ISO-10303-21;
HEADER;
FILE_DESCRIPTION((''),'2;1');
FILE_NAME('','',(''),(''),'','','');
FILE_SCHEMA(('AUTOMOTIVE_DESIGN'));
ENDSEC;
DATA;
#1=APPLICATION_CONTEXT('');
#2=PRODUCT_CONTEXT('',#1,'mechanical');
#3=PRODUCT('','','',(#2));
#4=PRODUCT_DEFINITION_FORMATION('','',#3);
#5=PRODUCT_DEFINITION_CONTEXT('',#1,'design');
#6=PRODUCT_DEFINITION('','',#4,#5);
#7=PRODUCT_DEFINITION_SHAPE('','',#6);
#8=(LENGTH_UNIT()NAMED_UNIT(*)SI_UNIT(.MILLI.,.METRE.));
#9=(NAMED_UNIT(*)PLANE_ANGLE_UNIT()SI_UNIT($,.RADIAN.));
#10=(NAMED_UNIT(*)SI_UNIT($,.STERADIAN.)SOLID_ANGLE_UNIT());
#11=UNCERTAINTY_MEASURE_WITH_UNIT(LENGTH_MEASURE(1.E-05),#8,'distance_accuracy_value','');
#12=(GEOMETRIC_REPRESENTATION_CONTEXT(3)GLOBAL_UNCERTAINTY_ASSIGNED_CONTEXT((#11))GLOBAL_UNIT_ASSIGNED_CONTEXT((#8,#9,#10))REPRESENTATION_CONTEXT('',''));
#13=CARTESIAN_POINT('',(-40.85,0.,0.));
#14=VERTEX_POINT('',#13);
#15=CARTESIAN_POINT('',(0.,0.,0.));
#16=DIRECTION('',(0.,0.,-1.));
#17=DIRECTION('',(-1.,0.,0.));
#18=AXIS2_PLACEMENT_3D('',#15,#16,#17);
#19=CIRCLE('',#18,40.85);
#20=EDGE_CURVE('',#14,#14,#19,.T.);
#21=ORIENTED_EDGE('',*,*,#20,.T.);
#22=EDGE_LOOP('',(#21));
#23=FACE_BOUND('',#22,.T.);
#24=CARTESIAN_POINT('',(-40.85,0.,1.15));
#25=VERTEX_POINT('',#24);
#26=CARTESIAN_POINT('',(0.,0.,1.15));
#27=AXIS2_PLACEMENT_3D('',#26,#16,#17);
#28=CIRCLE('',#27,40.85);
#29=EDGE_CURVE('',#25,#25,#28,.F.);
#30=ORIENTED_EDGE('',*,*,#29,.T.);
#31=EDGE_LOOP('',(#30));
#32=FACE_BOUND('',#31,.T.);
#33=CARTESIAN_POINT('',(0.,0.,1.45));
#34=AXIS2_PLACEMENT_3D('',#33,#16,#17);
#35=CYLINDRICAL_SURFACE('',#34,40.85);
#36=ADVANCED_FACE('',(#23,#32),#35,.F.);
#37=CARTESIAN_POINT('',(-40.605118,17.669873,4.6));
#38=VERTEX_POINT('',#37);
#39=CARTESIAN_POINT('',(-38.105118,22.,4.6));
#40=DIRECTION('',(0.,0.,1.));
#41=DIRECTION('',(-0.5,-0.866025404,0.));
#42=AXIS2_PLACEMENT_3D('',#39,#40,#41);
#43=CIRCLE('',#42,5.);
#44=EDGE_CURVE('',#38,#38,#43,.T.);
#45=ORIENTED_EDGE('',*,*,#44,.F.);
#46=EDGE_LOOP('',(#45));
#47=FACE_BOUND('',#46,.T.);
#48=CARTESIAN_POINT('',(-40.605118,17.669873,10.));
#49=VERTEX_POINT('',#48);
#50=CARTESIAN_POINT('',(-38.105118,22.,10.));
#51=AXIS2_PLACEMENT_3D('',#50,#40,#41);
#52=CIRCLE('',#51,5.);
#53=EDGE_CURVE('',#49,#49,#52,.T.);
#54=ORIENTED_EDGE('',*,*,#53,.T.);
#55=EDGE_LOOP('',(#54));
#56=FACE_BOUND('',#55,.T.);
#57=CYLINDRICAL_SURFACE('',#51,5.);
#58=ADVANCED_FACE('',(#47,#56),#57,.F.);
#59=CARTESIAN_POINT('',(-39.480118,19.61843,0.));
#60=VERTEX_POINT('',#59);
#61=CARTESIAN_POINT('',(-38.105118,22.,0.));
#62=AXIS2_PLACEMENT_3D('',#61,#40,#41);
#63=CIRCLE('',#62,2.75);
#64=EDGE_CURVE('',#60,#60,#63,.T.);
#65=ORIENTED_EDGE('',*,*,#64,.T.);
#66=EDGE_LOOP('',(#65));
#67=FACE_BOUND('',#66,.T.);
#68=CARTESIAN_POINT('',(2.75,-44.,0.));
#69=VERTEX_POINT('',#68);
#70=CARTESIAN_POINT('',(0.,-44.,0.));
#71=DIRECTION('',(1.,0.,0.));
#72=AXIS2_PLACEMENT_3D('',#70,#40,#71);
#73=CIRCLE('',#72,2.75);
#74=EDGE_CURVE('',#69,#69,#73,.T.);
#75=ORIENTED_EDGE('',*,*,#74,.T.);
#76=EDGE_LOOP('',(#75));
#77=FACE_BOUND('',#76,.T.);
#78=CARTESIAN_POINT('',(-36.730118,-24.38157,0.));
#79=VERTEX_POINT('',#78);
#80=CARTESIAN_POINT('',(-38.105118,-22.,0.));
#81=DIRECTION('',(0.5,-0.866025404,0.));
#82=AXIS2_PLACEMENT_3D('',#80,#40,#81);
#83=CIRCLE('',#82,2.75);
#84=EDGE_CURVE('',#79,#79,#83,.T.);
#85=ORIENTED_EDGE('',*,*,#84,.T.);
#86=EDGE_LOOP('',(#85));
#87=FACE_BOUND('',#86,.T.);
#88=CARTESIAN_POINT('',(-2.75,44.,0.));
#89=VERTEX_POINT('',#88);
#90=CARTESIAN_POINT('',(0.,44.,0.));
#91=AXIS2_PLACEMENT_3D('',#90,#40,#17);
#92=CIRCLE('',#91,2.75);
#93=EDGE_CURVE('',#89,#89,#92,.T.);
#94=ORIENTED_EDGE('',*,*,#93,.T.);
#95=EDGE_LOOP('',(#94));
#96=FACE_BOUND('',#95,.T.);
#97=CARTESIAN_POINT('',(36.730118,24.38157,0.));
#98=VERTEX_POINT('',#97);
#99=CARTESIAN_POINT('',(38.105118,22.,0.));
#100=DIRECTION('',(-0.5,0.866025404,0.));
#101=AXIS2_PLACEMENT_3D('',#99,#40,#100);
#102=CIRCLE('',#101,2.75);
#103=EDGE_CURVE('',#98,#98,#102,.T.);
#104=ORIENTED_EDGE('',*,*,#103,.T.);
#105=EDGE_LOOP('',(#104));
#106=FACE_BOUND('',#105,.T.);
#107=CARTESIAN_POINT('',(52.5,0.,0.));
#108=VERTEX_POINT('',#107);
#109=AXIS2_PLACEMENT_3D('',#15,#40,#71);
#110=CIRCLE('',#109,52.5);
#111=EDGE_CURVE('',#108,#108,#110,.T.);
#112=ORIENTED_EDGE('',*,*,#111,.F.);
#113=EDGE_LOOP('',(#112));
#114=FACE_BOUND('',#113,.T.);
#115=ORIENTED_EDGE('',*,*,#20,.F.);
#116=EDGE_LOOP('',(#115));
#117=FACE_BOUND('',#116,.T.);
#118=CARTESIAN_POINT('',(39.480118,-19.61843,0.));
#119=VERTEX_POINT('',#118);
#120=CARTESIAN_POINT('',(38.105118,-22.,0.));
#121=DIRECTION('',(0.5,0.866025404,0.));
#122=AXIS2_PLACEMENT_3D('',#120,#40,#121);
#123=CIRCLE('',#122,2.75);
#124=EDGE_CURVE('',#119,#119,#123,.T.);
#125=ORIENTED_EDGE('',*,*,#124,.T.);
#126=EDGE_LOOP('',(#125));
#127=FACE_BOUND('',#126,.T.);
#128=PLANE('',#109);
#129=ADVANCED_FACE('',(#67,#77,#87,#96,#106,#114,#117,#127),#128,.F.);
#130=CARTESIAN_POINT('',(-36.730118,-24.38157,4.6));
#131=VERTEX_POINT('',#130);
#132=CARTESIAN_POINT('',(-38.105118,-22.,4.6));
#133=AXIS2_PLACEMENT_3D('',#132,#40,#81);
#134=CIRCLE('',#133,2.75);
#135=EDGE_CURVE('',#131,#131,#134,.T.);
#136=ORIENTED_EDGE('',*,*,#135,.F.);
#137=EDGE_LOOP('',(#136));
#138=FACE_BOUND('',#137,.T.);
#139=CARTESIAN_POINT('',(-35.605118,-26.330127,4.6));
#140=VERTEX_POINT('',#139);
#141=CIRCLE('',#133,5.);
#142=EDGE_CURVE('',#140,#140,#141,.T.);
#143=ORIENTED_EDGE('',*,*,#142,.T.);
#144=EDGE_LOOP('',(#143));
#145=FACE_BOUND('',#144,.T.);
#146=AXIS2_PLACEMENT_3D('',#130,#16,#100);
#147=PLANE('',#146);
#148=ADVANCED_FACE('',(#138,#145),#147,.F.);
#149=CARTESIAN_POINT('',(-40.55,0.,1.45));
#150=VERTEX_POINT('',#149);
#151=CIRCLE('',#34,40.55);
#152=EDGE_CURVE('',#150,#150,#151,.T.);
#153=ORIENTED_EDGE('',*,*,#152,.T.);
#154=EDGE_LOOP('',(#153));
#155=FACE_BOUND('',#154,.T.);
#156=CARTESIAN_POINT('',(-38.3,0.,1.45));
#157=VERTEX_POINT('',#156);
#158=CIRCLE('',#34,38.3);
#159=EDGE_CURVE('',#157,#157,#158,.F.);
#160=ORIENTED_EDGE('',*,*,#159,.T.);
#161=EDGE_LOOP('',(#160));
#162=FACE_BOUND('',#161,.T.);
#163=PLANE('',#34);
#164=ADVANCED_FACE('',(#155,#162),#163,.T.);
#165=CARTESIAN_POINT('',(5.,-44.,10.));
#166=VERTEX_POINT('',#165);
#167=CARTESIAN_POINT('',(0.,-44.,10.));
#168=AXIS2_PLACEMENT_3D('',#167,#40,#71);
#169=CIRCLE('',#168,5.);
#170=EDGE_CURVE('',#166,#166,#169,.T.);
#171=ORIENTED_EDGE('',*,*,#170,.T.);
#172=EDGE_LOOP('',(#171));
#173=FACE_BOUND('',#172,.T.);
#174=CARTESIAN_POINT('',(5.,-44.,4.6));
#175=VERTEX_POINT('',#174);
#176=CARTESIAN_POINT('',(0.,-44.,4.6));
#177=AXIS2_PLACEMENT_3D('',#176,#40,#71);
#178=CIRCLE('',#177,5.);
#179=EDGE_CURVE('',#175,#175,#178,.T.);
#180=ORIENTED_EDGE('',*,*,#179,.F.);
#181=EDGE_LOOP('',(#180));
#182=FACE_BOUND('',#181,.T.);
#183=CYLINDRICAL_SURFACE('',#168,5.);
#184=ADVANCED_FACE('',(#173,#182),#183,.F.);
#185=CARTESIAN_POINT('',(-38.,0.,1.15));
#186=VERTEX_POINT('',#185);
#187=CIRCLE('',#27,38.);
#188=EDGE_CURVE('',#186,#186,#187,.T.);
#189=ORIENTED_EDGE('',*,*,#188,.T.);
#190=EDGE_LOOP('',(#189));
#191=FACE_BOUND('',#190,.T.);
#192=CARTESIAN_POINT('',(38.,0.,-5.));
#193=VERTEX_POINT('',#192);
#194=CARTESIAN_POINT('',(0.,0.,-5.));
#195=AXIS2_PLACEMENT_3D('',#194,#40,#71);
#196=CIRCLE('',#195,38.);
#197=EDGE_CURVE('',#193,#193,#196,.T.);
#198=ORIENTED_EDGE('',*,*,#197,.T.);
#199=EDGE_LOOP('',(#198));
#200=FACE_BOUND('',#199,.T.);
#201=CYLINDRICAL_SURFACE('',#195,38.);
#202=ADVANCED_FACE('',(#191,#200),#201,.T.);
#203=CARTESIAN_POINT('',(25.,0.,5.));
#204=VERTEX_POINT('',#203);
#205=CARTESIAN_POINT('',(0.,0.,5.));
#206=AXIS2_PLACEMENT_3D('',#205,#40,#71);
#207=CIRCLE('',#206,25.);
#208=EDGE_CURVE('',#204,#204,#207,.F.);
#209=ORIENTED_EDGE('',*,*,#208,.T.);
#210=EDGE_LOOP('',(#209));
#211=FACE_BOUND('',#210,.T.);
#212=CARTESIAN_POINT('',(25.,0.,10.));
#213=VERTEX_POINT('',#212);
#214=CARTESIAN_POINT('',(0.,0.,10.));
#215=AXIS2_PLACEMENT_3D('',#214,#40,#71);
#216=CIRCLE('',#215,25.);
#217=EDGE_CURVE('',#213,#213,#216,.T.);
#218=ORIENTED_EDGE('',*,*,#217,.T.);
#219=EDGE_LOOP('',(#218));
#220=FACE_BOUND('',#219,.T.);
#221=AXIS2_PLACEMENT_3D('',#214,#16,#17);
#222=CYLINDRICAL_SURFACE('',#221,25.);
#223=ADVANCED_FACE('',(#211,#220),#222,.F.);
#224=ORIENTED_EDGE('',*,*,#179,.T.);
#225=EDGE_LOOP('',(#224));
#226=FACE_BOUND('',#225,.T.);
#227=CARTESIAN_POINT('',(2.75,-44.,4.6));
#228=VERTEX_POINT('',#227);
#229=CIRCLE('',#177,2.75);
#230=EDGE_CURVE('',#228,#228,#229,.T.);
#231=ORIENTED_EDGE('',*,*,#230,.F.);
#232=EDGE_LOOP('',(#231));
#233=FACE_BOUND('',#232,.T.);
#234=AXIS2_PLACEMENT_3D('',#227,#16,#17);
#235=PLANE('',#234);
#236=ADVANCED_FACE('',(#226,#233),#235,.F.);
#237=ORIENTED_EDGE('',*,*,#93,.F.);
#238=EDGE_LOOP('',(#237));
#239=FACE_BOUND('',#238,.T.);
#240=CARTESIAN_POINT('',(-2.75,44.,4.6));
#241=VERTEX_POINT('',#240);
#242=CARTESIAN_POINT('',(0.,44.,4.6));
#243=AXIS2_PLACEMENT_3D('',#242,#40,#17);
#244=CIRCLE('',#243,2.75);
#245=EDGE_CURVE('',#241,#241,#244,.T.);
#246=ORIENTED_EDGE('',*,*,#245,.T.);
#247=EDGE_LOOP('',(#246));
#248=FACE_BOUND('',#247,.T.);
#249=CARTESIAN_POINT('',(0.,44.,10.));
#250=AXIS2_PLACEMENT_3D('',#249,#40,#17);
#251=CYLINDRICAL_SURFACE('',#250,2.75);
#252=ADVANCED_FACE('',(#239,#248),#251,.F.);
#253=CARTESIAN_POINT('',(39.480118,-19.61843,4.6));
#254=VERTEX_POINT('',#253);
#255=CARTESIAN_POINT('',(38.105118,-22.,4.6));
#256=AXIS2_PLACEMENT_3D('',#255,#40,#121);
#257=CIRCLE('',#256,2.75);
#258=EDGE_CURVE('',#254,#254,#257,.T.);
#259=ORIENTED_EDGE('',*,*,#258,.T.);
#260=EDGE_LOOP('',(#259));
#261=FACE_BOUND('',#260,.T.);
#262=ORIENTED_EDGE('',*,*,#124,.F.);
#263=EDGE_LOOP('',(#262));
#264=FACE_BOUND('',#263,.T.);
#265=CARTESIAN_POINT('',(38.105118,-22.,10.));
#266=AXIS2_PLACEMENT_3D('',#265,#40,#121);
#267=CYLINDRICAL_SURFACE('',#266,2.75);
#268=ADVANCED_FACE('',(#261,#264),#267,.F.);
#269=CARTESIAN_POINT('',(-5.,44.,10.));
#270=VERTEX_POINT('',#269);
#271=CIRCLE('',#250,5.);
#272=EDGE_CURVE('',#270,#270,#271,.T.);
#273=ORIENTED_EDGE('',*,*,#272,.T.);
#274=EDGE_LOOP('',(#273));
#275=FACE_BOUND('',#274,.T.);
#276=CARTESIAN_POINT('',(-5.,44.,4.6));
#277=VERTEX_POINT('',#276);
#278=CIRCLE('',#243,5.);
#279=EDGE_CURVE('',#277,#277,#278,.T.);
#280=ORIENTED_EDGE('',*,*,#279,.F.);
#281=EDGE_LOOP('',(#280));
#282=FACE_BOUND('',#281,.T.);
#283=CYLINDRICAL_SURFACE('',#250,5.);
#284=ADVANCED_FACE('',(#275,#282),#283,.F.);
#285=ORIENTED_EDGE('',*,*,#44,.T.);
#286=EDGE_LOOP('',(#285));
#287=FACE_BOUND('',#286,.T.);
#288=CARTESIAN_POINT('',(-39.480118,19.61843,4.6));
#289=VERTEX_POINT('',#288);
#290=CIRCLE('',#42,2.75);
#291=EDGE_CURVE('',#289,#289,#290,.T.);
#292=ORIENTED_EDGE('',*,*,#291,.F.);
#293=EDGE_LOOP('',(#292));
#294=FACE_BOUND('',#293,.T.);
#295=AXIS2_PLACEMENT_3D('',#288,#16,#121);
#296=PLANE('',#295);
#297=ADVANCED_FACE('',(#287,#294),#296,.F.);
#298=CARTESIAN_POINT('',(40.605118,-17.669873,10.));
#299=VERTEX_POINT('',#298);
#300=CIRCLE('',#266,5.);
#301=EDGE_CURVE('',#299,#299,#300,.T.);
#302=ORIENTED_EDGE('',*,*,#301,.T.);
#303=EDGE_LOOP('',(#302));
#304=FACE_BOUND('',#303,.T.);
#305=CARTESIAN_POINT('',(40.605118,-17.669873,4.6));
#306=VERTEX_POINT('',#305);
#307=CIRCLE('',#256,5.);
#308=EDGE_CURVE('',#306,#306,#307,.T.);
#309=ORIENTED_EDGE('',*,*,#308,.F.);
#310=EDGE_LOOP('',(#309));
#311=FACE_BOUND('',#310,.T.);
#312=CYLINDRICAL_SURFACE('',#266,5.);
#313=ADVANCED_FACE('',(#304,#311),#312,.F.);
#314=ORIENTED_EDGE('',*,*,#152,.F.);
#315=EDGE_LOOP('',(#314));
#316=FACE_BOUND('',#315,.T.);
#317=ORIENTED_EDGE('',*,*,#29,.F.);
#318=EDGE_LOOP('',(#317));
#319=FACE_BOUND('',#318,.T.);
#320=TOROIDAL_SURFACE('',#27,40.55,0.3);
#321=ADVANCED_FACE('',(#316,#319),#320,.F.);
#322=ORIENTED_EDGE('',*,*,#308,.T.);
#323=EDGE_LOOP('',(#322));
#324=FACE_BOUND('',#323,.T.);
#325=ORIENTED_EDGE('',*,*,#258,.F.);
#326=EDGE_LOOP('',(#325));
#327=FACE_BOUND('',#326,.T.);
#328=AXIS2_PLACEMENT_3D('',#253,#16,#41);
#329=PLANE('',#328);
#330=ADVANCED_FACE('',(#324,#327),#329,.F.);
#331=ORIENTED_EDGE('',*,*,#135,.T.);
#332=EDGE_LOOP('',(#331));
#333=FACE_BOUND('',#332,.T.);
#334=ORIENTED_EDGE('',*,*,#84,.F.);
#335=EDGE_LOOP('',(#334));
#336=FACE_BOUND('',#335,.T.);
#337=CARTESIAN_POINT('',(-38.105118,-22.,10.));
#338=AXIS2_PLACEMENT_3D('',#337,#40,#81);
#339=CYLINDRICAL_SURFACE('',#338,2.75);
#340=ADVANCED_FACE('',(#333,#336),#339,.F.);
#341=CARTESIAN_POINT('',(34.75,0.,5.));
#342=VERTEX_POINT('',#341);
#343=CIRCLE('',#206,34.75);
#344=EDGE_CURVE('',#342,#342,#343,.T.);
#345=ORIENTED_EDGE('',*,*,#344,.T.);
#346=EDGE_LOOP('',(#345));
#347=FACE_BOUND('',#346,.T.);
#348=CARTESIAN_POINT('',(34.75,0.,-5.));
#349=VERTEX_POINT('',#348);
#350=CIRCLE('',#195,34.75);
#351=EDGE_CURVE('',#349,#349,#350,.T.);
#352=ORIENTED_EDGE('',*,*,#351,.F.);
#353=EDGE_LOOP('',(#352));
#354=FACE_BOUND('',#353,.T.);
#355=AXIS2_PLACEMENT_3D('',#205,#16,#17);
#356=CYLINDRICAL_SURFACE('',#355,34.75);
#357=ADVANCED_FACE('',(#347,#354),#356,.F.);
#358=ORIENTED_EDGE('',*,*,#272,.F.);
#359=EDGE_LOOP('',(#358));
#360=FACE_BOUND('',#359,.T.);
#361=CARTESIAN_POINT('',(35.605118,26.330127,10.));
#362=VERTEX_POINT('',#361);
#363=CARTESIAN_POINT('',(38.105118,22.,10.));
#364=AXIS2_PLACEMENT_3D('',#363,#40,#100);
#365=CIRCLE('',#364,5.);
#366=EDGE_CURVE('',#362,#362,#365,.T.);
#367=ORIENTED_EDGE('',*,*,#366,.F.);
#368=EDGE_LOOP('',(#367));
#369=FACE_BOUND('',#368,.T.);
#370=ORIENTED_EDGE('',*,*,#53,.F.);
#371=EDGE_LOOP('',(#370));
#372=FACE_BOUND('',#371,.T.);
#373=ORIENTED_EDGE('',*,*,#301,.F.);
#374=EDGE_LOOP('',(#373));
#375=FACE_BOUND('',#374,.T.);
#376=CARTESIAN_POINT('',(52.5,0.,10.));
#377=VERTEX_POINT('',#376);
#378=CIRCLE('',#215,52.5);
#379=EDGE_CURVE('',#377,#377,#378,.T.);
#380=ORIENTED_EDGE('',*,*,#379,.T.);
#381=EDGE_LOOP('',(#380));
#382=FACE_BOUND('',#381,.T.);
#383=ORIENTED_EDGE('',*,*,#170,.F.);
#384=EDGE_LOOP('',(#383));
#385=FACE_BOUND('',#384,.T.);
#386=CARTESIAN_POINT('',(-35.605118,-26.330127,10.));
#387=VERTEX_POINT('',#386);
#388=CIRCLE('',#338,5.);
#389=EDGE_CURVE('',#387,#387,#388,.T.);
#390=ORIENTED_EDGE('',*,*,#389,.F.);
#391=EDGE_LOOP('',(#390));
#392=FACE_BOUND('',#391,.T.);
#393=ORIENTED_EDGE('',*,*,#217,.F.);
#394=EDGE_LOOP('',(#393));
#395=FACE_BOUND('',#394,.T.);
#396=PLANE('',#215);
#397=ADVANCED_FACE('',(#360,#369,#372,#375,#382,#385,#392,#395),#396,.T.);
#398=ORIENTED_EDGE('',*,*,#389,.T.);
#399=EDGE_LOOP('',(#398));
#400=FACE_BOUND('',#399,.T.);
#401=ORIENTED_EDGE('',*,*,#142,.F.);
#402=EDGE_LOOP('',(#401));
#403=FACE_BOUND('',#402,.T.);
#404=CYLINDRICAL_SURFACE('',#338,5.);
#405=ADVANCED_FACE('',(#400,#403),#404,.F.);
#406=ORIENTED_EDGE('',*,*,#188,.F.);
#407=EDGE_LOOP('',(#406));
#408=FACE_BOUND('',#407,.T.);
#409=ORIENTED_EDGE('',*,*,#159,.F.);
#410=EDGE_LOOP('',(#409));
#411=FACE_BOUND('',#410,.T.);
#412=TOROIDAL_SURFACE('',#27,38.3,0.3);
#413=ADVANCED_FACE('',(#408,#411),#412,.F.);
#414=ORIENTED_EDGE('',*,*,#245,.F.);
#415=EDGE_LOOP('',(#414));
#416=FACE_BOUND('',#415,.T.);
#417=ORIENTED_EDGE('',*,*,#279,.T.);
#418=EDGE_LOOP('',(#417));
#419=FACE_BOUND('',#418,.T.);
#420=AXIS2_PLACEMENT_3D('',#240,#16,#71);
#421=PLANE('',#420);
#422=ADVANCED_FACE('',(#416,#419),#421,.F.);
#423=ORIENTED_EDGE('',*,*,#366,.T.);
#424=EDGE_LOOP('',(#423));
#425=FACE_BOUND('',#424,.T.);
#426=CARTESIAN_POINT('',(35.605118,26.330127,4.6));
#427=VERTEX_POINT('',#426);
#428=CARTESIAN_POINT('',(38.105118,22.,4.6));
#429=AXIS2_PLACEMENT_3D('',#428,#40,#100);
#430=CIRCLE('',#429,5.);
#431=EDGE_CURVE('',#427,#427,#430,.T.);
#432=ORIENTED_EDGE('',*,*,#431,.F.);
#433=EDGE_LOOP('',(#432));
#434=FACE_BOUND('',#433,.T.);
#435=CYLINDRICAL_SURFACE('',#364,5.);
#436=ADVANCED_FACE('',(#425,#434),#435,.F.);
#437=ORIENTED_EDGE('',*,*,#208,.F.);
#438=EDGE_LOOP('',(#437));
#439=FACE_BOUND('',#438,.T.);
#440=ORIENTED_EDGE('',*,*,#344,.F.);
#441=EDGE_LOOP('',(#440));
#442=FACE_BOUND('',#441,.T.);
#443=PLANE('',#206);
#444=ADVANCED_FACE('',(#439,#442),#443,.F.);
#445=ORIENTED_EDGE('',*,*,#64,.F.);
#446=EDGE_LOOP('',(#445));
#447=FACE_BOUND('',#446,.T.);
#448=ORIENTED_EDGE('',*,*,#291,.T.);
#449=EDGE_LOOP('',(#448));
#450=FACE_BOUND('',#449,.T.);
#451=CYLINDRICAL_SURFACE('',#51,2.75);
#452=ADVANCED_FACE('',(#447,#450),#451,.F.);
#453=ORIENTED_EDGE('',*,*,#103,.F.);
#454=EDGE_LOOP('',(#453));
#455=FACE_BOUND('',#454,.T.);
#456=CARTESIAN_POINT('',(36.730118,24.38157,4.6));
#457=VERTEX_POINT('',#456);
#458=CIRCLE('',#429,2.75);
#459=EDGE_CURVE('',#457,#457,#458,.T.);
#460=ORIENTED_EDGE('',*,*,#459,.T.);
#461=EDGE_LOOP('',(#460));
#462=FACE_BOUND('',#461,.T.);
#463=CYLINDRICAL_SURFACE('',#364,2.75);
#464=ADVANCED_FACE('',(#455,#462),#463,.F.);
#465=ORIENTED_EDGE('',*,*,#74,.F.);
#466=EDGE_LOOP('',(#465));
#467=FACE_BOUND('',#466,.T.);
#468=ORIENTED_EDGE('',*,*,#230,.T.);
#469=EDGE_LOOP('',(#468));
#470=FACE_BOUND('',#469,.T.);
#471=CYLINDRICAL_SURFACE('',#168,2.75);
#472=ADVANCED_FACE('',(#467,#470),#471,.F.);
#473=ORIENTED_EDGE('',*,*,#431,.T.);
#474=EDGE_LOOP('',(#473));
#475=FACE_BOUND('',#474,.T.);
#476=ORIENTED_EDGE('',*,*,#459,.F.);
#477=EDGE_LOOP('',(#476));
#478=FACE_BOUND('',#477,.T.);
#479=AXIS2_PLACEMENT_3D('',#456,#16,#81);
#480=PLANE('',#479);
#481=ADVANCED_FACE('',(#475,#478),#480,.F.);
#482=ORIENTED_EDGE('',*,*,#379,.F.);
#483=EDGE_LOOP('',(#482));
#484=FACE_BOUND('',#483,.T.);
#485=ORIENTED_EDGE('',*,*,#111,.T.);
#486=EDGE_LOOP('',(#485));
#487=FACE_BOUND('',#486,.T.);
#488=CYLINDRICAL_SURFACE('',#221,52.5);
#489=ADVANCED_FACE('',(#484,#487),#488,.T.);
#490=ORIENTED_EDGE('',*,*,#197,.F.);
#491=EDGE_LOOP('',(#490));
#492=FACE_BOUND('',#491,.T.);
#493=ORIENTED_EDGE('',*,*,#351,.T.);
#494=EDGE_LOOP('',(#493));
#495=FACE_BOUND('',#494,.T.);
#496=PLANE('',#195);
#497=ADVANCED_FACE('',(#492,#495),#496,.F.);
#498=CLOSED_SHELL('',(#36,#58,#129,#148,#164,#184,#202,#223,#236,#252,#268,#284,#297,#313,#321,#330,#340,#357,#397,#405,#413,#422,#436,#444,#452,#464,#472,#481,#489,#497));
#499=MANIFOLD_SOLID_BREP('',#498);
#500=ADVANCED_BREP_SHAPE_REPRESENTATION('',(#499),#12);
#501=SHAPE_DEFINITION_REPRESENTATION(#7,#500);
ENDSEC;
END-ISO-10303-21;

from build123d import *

# Parameters (mm, degrees)
SKIZZE1_R                                            = 52.5
AUFSATZ_LINEAR_AUSTRAGEN1_DEPTH                      = 10
SKIZZE2_R                                            = 40
AUFSATZ_LINEAR_AUSTRAGEN3_DEPTH                      = 5
SKIZZE5_OUTSIDE_W                                    = 136.85
SKIZZE5_OUTSIDE_H                                    = 136.85
SKIZZE5_OUTSIDE_R                                    = 35
SCHNITT_LINEAR_AUSTRAGEN1_DEPTH                      = 5
SKIZZE6_R                                            = 38
AUFSATZ_LINEAR_AUSTRAGEN4_DEPTH                      = 5
SCHNITT_LINEAR_START                                 = -5
SKIZZE7_R                                            = 34.75
SCHNITT_LINEAR_AUSTRAGEN2_DEPTH                      = 10
SKIZZE10_R                                           = 25
SCHNITT_LINEAR_AUSTRAGEN4_DEPTH                      = 10
STIRNSENKUNG_F_R_M5_ZYLINDERSCHRAUBE_MIT_D           = 5.5
STIRNSENKUNG_F_R_M5_ZYLINDERSCHRAUBE_MIT_CBORE_D     = 10
STIRNSENKUNG_F_R_M5_ZYLINDERSCHRAUBE_MIT_CBORE_DEPTH = 5.4
KREISMUSTER4_COUNT                                   = 6
SKIZZE16_R                                           = 39
SKIZZE16_R_2                                         = 38
O_RING_NUT_DEPTH                                     = 1
SKIZZE17_R                                           = 40.85
SKIZZE17_R_2                                         = 38
SCHNITT_LINEAR_AUSTRAGEN5_DEPTH                      = 1.45
VERRUNDUNG1_R                                        = 0.3


with BuildPart() as part:
    # Skizze1 → Aufsatz-Linear austragen1 (new body)
    with BuildSketch(Plane.XY):
        Circle(SKIZZE1_R)
    extrude(amount=AUFSATZ_LINEAR_AUSTRAGEN1_DEPTH)

    # Skizze2 → Aufsatz-Linear austragen3 (add)
    with BuildSketch(Plane.XY):
        Circle(SKIZZE2_R)
    extrude(amount=-AUFSATZ_LINEAR_AUSTRAGEN3_DEPTH)

    # Skizze5 outside → Schnitt-Linear austragen1 (cut)
    with BuildSketch(Plane.XY):
        Rectangle(SKIZZE5_OUTSIDE_W, SKIZZE5_OUTSIDE_H)
        Circle(SKIZZE5_OUTSIDE_R, mode=Mode.SUBTRACT)
    extrude(amount=-SCHNITT_LINEAR_AUSTRAGEN1_DEPTH, mode=Mode.SUBTRACT)

    # Skizze6 → Aufsatz-Linear austragen4 (add)
    with BuildSketch(Plane.XY):
        Circle(SKIZZE6_R)
    extrude(amount=-AUFSATZ_LINEAR_AUSTRAGEN4_DEPTH)

    # Skizze7 → Schnitt-Linear austragen2 (cut)
    with BuildSketch(Plane.XY.offset(SCHNITT_LINEAR_START)):
        Circle(SKIZZE7_R)
    extrude(amount=SCHNITT_LINEAR_AUSTRAGEN2_DEPTH, mode=Mode.SUBTRACT)

    # Skizze10 → Schnitt-Linear austragen4 (cut)
    with BuildSketch(Plane.XY):
        Circle(SKIZZE10_R)
    extrude(amount=SCHNITT_LINEAR_AUSTRAGEN4_DEPTH, mode=Mode.SUBTRACT)

    # Stirnsenkung f_r M5 Zylinderschraube mit (through all)
    with Locations(Plane.XY.offset(10)):
        with Locations((0, -44)):
            stirnsenkung_f_r_m5_zylinderschraube_mit = CounterBoreHole(STIRNSENKUNG_F_R_M5_ZYLINDERSCHRAUBE_MIT_D / 2, STIRNSENKUNG_F_R_M5_ZYLINDERSCHRAUBE_MIT_CBORE_D / 2, STIRNSENKUNG_F_R_M5_ZYLINDERSCHRAUBE_MIT_CBORE_DEPTH)

    # Kreismuster4: Stirnsenkung f_r M5 Zylinderschraube mit ×6 about axis
    kreismuster4_axis = Axis((0, 0, 0), (0, 0, 1))
    for i in range(1, KREISMUSTER4_COUNT):
        add(stirnsenkung_f_r_m5_zylinderschraube_mit.rotate(kreismuster4_axis, i * 360 / KREISMUSTER4_COUNT), mode=Mode.SUBTRACT)

    # Skizze16 → o ring nut (cut)
    with BuildSketch(Plane(origin=(0, 0, 0), x_dir=(-1, 0, 0), z_dir=(0, 0, -1))):
        Circle(SKIZZE16_R)
        with Locations(Location((0, 0, 0), (0, 0, 180))):  # turned: the seam where the file's is
            Circle(SKIZZE16_R_2, mode=Mode.SUBTRACT)
    extrude(amount=-O_RING_NUT_DEPTH, mode=Mode.SUBTRACT)

    # Skizze17 → Schnitt-Linear austragen5 (cut)
    with BuildSketch(Plane(origin=(0, 0, 0), x_dir=(-1, 0, 0), z_dir=(0, 0, -1))):
        Circle(SKIZZE17_R)
        with Locations(Location((0, 0, 0), (0, 0, 180))):  # turned: the seam where the file's is
            Circle(SKIZZE17_R_2, mode=Mode.SUBTRACT)
    extrude(amount=-SCHNITT_LINEAR_AUSTRAGEN5_DEPTH, mode=Mode.SUBTRACT)

    # Verrundung1
    verrundung1_edges = [part.edges().sort_by_distance(p)[0] for p in [
        (40.85, 0, 1.45),
        (-38, 0, 1.45),
    ]]
    fillet(verrundung1_edges, radius=VERRUNDUNG1_R)


solid = part.part
